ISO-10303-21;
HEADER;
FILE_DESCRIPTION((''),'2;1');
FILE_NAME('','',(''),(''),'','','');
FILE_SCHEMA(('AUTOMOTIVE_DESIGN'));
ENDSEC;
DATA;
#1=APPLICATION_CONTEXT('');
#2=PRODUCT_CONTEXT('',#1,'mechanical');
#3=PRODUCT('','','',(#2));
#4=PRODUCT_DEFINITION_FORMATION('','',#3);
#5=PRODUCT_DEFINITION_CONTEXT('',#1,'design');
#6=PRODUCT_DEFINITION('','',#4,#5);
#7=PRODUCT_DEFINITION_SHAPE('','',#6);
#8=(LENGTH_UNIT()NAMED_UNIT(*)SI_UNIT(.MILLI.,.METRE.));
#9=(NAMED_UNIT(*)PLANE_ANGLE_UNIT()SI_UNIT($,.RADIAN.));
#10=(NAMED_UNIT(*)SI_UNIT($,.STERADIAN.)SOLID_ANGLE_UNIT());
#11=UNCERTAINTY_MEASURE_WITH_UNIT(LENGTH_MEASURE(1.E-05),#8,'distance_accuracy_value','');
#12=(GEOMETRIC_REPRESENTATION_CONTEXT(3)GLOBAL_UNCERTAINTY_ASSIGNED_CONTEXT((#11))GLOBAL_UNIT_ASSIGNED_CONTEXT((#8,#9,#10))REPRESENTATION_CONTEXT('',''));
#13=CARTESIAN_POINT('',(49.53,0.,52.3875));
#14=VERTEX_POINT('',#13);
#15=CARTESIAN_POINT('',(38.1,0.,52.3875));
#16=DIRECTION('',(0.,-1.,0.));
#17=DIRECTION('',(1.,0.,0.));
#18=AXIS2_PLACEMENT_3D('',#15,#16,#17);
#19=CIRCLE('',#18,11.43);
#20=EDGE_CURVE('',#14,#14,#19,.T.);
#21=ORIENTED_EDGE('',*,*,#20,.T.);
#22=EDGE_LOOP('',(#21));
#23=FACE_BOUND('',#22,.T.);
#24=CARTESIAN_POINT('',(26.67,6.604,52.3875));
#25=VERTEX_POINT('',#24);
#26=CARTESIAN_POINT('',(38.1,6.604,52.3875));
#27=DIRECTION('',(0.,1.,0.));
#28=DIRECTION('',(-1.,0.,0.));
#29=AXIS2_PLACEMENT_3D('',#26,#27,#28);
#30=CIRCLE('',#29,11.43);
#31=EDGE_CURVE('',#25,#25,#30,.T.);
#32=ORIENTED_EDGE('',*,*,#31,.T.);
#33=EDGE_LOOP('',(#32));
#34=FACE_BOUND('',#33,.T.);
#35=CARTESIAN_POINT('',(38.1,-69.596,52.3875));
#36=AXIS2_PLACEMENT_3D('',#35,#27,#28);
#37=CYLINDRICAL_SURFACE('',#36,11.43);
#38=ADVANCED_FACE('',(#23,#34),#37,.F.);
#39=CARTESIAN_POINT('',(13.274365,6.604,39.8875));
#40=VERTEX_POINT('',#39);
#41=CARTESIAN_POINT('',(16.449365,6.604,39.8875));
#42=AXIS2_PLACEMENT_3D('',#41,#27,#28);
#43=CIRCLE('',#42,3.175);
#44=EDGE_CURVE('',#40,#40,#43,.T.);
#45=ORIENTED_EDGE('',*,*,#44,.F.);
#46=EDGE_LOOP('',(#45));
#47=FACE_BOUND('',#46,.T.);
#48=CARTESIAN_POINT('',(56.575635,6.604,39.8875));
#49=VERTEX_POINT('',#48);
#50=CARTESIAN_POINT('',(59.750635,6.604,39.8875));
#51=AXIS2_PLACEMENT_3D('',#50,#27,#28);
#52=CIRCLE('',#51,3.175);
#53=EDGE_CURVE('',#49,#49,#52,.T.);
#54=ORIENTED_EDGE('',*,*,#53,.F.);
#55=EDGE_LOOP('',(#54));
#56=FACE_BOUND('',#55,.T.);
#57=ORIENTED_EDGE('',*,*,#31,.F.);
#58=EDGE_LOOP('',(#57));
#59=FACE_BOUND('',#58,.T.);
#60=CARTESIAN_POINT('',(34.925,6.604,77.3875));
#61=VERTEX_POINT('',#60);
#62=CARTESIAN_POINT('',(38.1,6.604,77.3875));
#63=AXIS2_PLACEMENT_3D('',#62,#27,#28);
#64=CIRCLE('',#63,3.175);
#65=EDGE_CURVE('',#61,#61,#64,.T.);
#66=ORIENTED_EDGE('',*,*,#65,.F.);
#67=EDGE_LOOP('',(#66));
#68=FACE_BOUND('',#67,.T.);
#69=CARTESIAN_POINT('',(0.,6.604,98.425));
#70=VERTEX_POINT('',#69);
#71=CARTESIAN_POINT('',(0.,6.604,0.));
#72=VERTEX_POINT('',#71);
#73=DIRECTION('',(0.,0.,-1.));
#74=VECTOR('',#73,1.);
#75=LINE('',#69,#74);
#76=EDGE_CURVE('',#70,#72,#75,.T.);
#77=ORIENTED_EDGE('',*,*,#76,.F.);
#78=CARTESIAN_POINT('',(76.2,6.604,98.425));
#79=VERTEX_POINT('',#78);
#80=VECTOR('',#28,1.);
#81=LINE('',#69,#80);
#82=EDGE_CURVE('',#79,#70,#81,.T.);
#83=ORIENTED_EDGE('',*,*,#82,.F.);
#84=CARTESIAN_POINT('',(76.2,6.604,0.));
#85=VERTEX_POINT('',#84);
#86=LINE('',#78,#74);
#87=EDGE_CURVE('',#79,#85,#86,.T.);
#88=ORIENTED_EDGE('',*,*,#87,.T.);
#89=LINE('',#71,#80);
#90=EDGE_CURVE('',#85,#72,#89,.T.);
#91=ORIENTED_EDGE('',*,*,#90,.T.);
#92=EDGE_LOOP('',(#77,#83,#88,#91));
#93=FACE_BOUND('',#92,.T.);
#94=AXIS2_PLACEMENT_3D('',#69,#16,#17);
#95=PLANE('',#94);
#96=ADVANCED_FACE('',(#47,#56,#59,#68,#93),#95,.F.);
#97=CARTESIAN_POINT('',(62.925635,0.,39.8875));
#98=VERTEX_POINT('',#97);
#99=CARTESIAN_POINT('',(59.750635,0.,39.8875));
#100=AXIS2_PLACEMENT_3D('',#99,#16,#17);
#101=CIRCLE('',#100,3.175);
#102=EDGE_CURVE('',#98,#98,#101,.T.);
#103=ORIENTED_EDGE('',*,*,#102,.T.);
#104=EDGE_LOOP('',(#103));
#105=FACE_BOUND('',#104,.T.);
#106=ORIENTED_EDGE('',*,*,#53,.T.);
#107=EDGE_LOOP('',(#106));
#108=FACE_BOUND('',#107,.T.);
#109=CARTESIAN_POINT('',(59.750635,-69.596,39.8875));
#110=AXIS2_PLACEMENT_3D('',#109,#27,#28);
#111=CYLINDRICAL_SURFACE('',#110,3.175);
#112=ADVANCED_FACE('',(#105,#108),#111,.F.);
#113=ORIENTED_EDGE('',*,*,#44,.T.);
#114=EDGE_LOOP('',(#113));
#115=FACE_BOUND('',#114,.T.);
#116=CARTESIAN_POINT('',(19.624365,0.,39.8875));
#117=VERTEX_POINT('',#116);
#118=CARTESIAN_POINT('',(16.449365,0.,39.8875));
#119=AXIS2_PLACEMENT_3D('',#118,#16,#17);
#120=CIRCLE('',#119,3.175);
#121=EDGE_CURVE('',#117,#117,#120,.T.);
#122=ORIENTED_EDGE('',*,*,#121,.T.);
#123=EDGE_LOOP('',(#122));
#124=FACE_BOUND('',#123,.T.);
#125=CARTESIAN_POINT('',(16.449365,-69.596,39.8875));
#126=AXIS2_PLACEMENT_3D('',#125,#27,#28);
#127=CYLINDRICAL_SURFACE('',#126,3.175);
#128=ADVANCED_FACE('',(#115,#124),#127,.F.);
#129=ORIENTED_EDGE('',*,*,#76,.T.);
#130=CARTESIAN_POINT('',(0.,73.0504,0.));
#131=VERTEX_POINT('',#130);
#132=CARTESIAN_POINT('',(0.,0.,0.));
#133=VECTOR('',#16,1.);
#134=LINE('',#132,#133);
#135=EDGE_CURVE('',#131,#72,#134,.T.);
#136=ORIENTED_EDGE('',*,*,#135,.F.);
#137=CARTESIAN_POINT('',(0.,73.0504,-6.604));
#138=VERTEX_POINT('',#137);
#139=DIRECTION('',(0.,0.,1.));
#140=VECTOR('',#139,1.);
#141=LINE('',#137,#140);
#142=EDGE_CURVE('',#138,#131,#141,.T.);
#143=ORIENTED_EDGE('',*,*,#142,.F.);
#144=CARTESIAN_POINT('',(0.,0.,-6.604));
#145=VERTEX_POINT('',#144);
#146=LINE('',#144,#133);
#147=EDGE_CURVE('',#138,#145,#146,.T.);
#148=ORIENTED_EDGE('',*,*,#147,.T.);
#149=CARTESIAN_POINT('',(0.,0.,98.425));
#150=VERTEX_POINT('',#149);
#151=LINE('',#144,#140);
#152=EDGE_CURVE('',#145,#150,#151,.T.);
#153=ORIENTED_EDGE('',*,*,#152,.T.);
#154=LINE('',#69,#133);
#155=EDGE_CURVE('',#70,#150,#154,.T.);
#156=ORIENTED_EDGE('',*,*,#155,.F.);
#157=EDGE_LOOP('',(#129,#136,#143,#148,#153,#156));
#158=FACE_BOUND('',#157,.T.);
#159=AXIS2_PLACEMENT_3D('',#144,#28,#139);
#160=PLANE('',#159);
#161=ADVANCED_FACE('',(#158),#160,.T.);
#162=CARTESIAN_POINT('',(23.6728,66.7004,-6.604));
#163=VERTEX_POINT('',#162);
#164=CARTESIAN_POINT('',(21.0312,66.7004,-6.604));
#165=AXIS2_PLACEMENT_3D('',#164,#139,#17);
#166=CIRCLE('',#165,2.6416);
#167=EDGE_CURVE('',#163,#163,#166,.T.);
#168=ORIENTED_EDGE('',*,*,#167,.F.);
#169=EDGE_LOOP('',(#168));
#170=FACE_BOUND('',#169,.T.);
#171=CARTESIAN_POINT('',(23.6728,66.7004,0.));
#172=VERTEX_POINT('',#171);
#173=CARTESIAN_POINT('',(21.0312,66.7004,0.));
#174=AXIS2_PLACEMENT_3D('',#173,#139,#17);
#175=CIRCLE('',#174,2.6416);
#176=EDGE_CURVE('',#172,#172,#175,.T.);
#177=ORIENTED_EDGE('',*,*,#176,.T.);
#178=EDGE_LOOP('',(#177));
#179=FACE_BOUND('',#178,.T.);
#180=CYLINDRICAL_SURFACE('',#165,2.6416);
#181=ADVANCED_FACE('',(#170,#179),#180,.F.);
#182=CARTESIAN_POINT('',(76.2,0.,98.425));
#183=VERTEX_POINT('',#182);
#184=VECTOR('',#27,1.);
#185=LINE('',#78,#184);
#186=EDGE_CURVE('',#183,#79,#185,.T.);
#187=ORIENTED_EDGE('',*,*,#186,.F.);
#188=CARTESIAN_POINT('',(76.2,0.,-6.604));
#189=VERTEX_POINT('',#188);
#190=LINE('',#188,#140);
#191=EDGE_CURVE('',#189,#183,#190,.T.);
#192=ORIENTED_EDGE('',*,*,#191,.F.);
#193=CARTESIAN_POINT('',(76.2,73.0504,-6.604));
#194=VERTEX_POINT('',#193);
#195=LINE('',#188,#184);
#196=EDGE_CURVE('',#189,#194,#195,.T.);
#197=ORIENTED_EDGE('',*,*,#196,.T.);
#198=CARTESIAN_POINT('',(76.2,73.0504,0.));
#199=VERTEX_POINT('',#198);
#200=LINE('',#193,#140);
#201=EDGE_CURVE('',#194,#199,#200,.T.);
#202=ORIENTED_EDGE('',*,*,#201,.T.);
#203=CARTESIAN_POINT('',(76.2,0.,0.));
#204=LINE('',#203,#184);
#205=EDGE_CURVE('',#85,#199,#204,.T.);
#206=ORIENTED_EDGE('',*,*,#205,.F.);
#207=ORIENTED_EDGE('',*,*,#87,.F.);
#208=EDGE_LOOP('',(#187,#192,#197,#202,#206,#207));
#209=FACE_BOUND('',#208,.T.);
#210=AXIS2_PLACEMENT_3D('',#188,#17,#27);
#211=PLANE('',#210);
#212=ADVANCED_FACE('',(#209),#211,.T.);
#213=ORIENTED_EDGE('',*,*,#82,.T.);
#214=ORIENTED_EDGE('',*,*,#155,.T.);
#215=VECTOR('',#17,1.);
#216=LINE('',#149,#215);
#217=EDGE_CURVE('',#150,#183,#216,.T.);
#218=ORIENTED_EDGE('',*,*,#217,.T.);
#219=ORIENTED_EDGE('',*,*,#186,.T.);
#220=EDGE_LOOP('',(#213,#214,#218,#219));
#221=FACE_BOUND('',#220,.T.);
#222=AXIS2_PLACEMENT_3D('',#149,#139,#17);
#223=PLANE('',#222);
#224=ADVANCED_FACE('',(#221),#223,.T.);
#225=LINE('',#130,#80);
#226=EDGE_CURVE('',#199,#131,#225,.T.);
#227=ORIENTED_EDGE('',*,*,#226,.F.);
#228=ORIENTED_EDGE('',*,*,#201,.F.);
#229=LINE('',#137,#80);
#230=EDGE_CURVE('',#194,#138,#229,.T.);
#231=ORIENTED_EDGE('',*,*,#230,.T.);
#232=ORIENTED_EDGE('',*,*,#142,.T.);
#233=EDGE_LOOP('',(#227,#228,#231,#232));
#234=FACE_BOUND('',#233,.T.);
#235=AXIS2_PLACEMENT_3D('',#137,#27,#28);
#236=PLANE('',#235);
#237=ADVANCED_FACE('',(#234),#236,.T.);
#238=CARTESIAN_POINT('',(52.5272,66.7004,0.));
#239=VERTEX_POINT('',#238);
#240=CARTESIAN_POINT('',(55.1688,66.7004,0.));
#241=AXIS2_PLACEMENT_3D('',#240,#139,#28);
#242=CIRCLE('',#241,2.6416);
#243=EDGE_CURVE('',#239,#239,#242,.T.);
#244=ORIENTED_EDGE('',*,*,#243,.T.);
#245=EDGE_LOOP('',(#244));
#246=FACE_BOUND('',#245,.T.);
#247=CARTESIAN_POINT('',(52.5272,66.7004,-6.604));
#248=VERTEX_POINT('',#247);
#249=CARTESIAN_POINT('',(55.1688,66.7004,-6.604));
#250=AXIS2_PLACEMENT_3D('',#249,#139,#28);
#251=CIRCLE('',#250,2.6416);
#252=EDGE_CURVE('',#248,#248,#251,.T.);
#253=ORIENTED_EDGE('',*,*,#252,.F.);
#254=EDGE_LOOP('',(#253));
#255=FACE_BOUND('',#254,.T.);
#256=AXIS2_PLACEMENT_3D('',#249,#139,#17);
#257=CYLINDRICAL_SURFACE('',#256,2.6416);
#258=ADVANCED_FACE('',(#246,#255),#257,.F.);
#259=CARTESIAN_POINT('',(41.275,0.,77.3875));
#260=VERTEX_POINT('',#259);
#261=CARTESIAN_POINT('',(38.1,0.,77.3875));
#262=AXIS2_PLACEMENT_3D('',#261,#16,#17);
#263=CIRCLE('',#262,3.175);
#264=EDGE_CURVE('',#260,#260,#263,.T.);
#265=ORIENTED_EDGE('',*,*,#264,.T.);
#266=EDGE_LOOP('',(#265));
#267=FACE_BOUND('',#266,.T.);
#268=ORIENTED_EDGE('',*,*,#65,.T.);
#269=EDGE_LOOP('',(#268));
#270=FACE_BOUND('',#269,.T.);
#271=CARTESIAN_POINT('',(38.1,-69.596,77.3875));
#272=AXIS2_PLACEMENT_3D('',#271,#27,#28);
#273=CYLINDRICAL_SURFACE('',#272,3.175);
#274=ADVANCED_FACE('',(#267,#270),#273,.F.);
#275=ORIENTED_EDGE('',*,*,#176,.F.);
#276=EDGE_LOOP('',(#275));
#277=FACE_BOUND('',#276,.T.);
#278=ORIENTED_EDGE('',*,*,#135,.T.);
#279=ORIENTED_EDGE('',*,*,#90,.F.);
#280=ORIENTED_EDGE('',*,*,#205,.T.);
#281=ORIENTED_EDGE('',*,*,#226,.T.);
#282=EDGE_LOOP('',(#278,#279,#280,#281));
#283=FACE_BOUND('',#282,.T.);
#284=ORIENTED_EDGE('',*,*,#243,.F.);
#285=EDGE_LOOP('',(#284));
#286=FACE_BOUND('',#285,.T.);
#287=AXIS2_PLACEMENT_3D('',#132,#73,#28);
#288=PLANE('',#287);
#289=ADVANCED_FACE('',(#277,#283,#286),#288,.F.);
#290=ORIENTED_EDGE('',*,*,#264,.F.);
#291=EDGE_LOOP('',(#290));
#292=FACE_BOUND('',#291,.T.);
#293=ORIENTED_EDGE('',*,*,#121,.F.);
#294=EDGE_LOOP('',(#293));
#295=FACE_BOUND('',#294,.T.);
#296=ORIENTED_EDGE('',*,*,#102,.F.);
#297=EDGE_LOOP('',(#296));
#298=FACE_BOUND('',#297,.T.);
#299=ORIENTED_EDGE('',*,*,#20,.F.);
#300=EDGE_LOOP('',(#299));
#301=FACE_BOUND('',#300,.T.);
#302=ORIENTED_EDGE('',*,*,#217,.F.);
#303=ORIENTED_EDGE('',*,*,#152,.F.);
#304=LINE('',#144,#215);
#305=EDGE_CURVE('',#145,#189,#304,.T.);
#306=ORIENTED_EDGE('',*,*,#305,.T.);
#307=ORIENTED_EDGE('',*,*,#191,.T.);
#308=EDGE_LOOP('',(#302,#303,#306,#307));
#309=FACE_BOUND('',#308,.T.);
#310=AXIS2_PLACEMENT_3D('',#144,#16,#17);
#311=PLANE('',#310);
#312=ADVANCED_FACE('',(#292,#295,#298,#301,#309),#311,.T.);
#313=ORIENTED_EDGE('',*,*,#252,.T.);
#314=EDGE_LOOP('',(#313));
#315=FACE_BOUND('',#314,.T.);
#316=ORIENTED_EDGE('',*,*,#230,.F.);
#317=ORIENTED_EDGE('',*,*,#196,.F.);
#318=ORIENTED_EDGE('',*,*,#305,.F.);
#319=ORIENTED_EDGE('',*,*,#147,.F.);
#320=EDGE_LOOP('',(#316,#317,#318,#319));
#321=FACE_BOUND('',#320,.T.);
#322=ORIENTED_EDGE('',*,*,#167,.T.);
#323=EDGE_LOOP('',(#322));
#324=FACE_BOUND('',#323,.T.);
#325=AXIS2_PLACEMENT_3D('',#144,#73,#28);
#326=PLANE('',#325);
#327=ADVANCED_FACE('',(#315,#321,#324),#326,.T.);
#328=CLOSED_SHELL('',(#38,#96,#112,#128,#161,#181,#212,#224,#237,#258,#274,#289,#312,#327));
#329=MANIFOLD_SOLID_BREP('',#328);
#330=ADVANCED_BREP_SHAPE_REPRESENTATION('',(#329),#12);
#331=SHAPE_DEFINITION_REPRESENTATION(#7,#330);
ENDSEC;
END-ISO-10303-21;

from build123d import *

# Parameters (mm, degrees)
SKETCH1_W           = 76.2
SKETCH1_H           = 73.0504
SKETCH1_R           = 2.6416
BOSS_EXTRUDE1_DEPTH = 6.604
SKETCH2_W           = 76.2
SKETCH2_H           = 6.604
BOSS_EXTRUDE2_DEPTH = 98.425
SKETCH3_R           = 11.43
SKETCH3_R_2         = 3.175
CUT_EXTRUDE1_DEPTH  = 76.2


with BuildPart() as part:
    # Sketch1 → Boss-Extrude1 (new body)
    with BuildSketch(Plane.XY):
        with Locations((38.1, 36.5252)):
            Rectangle(SKETCH1_W, SKETCH1_H)
        with Locations((21.0312, 66.7004)):
            Circle(SKETCH1_R, mode=Mode.SUBTRACT)
        with Locations((55.1688, 66.7004)):
            Circle(SKETCH1_R, mode=Mode.SUBTRACT)
    extrude(amount=-BOSS_EXTRUDE1_DEPTH)

    # Sketch2 → Boss-Extrude2 (add)
    with BuildSketch(Plane.XY):
        with Locations((38.1, 3.302)):
            Rectangle(SKETCH2_W, SKETCH2_H)
    extrude(amount=BOSS_EXTRUDE2_DEPTH)

    # Sketch3 → Cut-Extrude1 (cut)
    with BuildSketch(Plane(origin=(0, 6.604, 0), x_dir=(1, 0, 0), z_dir=(0, 1, 0))):
        with Locations((38.1, -52.3875)):
            Circle(SKETCH3_R)
        with Locations((38.1, -77.3875)):
            Circle(SKETCH3_R_2)
        with Locations((16.449364905, -39.8875)):
            Circle(SKETCH3_R_2)
        with Locations((59.750635095, -39.8875)):
            Circle(SKETCH3_R_2)
    extrude(amount=-CUT_EXTRUDE1_DEPTH, mode=Mode.SUBTRACT)


solid = part.part
